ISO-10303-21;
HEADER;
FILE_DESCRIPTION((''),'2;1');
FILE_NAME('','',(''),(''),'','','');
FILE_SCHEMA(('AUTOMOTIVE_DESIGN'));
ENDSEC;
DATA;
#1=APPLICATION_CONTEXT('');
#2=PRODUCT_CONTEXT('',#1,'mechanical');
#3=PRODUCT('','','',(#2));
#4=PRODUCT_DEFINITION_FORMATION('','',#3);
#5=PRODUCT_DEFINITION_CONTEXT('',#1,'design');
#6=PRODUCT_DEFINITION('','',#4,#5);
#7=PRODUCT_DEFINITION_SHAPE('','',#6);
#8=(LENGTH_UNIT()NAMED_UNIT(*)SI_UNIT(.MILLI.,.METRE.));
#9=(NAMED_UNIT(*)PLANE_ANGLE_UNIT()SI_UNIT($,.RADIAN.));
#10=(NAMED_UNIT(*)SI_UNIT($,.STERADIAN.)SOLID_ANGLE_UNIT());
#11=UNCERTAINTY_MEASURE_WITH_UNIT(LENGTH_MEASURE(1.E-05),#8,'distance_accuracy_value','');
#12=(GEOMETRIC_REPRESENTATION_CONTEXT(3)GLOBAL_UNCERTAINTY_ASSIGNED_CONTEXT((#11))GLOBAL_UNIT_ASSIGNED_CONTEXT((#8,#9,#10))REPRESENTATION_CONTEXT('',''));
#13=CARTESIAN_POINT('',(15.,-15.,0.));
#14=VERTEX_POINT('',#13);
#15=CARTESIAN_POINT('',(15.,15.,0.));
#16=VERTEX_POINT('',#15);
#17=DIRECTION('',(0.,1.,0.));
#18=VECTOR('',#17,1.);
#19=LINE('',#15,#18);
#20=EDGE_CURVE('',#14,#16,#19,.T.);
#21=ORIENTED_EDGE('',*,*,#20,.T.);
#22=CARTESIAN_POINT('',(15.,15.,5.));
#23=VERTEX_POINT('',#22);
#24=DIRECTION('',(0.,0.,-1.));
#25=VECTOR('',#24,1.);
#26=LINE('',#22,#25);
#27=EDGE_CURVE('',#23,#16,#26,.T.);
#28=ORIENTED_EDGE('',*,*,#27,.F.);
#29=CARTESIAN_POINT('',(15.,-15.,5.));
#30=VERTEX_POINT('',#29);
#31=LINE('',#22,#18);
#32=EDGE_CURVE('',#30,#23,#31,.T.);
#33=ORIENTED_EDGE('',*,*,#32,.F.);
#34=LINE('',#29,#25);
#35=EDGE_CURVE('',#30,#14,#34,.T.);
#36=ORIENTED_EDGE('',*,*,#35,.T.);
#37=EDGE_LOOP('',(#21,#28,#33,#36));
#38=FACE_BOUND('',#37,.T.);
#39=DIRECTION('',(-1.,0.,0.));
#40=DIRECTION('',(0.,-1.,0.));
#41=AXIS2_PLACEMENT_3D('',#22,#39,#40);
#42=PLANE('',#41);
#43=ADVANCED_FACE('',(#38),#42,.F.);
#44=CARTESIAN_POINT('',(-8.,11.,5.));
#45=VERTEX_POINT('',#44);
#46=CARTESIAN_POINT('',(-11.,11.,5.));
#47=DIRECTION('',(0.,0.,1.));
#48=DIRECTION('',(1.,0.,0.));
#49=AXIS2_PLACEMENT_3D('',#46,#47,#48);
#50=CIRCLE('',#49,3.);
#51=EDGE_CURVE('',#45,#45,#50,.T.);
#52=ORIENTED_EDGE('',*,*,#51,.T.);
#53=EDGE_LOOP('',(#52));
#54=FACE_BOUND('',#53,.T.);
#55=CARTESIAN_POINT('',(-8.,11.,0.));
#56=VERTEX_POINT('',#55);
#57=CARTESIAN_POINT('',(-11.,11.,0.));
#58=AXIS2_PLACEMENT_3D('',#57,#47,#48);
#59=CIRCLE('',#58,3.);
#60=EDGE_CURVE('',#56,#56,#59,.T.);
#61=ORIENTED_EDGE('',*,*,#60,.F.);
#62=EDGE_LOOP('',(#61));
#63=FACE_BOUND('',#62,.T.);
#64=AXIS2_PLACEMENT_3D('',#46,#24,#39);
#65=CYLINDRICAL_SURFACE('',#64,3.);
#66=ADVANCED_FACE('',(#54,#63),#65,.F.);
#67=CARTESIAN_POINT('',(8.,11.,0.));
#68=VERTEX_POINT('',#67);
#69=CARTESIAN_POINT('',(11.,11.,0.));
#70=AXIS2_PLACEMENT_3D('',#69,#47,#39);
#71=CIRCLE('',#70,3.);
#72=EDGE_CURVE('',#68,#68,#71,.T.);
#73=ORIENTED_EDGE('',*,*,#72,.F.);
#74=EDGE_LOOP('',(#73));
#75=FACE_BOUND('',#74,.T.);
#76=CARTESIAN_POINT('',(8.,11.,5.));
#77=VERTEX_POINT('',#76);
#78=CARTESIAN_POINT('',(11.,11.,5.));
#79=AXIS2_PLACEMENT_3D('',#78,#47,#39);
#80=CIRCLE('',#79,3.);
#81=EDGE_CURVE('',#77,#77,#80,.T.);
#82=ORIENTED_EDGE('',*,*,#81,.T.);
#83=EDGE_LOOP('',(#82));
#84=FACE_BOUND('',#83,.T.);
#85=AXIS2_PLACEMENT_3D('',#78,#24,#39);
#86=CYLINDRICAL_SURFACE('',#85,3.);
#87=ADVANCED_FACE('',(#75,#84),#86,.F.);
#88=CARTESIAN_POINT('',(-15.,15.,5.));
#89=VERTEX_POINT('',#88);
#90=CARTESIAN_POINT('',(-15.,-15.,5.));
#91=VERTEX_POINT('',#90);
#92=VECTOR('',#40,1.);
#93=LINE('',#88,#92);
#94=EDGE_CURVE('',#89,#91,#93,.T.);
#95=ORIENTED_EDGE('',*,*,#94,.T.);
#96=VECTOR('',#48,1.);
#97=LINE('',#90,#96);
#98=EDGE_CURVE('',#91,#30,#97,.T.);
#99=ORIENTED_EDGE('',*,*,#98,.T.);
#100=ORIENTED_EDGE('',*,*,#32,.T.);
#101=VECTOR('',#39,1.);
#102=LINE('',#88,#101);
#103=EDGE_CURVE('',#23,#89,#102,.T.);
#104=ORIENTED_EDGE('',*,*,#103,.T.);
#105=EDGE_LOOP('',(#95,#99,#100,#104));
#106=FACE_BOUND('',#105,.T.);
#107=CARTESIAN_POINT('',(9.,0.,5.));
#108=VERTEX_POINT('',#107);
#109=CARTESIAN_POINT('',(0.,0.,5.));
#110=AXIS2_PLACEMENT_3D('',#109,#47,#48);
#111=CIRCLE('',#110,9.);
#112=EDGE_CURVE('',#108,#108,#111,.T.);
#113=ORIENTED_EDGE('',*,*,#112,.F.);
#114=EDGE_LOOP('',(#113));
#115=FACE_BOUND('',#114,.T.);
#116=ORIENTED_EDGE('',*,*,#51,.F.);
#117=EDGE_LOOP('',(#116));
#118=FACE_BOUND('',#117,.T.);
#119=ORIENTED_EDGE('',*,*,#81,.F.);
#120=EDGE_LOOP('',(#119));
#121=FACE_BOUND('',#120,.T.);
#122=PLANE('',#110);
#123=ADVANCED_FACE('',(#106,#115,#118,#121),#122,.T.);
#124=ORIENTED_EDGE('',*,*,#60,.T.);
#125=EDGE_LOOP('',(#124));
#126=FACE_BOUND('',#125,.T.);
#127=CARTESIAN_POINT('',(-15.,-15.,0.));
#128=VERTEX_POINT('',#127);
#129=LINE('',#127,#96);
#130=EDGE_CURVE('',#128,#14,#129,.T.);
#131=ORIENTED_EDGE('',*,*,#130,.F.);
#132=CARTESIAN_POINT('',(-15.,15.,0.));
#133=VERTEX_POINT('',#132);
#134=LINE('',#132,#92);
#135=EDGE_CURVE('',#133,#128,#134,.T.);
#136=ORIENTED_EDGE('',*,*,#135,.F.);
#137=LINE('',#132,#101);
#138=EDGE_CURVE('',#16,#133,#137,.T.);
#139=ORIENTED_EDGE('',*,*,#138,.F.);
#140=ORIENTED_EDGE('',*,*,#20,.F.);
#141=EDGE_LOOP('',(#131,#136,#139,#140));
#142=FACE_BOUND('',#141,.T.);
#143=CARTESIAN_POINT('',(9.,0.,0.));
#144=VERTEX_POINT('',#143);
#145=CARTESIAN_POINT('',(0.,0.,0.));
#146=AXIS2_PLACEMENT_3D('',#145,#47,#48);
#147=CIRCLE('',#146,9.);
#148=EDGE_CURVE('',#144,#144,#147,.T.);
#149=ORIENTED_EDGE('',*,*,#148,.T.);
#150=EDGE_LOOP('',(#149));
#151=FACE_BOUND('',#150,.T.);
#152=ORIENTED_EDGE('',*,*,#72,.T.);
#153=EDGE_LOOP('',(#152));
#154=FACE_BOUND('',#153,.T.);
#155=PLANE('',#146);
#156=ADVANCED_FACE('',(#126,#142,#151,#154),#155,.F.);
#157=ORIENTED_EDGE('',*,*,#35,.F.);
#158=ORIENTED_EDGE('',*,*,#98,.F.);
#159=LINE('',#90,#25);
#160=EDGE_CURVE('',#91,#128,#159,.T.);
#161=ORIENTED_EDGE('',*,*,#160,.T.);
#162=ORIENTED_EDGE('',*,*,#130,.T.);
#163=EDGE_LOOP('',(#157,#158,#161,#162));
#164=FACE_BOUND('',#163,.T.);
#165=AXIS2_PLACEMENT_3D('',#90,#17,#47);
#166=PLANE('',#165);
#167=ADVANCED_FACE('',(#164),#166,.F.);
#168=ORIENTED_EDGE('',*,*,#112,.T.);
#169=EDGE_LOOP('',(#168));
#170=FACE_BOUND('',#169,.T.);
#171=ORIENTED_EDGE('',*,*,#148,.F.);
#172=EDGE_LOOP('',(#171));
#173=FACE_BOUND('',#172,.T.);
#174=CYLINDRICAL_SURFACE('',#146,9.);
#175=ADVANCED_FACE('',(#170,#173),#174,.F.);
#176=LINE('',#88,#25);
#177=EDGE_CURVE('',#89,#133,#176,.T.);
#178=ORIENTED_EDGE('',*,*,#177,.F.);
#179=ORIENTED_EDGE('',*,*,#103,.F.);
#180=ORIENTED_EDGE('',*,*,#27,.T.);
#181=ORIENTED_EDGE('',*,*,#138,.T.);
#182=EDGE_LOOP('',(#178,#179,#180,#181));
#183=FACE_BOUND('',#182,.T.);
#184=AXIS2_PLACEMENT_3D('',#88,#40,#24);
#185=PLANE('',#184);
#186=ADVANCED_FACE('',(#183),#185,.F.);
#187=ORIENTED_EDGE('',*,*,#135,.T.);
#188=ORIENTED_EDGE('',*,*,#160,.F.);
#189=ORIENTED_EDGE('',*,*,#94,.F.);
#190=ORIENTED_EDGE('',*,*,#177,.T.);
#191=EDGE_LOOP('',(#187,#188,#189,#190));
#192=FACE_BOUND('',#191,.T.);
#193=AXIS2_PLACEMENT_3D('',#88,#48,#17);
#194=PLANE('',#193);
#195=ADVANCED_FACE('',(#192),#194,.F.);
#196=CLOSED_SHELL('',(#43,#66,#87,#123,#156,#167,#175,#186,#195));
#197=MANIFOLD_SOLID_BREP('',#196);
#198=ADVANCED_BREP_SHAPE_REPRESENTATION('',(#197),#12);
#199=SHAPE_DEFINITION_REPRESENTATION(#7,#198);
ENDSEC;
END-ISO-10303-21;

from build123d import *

# Parameters (mm, degrees)
CROQUIS1_W              = 30
CROQUIS1_H              = 30
CROQUIS1_R              = 3
SALIENTE_EXTRUIR1_DEPTH = 5
CROQUIS2_R              = 9
CORTAR_EXTRUIR1_DEPTH   = 5


with BuildPart() as part:
    # Croquis1 → Saliente-Extruir1 (new body)
    with BuildSketch(Plane.XY):
        Rectangle(CROQUIS1_W, CROQUIS1_H)
        with Locations((-11, 11)):
            Circle(CROQUIS1_R, mode=Mode.SUBTRACT)
        with Locations(Location((11, 11, 0), (0, 0, 180))):
            Circle(CROQUIS1_R, mode=Mode.SUBTRACT)
    extrude(amount=SALIENTE_EXTRUIR1_DEPTH)

    # Croquis2 → Cortar-Extruir1 (cut)
    with BuildSketch(Plane.XY.offset(5)):
        Circle(CROQUIS2_R)
    extrude(amount=-CORTAR_EXTRUIR1_DEPTH, mode=Mode.SUBTRACT)


solid = part.part
